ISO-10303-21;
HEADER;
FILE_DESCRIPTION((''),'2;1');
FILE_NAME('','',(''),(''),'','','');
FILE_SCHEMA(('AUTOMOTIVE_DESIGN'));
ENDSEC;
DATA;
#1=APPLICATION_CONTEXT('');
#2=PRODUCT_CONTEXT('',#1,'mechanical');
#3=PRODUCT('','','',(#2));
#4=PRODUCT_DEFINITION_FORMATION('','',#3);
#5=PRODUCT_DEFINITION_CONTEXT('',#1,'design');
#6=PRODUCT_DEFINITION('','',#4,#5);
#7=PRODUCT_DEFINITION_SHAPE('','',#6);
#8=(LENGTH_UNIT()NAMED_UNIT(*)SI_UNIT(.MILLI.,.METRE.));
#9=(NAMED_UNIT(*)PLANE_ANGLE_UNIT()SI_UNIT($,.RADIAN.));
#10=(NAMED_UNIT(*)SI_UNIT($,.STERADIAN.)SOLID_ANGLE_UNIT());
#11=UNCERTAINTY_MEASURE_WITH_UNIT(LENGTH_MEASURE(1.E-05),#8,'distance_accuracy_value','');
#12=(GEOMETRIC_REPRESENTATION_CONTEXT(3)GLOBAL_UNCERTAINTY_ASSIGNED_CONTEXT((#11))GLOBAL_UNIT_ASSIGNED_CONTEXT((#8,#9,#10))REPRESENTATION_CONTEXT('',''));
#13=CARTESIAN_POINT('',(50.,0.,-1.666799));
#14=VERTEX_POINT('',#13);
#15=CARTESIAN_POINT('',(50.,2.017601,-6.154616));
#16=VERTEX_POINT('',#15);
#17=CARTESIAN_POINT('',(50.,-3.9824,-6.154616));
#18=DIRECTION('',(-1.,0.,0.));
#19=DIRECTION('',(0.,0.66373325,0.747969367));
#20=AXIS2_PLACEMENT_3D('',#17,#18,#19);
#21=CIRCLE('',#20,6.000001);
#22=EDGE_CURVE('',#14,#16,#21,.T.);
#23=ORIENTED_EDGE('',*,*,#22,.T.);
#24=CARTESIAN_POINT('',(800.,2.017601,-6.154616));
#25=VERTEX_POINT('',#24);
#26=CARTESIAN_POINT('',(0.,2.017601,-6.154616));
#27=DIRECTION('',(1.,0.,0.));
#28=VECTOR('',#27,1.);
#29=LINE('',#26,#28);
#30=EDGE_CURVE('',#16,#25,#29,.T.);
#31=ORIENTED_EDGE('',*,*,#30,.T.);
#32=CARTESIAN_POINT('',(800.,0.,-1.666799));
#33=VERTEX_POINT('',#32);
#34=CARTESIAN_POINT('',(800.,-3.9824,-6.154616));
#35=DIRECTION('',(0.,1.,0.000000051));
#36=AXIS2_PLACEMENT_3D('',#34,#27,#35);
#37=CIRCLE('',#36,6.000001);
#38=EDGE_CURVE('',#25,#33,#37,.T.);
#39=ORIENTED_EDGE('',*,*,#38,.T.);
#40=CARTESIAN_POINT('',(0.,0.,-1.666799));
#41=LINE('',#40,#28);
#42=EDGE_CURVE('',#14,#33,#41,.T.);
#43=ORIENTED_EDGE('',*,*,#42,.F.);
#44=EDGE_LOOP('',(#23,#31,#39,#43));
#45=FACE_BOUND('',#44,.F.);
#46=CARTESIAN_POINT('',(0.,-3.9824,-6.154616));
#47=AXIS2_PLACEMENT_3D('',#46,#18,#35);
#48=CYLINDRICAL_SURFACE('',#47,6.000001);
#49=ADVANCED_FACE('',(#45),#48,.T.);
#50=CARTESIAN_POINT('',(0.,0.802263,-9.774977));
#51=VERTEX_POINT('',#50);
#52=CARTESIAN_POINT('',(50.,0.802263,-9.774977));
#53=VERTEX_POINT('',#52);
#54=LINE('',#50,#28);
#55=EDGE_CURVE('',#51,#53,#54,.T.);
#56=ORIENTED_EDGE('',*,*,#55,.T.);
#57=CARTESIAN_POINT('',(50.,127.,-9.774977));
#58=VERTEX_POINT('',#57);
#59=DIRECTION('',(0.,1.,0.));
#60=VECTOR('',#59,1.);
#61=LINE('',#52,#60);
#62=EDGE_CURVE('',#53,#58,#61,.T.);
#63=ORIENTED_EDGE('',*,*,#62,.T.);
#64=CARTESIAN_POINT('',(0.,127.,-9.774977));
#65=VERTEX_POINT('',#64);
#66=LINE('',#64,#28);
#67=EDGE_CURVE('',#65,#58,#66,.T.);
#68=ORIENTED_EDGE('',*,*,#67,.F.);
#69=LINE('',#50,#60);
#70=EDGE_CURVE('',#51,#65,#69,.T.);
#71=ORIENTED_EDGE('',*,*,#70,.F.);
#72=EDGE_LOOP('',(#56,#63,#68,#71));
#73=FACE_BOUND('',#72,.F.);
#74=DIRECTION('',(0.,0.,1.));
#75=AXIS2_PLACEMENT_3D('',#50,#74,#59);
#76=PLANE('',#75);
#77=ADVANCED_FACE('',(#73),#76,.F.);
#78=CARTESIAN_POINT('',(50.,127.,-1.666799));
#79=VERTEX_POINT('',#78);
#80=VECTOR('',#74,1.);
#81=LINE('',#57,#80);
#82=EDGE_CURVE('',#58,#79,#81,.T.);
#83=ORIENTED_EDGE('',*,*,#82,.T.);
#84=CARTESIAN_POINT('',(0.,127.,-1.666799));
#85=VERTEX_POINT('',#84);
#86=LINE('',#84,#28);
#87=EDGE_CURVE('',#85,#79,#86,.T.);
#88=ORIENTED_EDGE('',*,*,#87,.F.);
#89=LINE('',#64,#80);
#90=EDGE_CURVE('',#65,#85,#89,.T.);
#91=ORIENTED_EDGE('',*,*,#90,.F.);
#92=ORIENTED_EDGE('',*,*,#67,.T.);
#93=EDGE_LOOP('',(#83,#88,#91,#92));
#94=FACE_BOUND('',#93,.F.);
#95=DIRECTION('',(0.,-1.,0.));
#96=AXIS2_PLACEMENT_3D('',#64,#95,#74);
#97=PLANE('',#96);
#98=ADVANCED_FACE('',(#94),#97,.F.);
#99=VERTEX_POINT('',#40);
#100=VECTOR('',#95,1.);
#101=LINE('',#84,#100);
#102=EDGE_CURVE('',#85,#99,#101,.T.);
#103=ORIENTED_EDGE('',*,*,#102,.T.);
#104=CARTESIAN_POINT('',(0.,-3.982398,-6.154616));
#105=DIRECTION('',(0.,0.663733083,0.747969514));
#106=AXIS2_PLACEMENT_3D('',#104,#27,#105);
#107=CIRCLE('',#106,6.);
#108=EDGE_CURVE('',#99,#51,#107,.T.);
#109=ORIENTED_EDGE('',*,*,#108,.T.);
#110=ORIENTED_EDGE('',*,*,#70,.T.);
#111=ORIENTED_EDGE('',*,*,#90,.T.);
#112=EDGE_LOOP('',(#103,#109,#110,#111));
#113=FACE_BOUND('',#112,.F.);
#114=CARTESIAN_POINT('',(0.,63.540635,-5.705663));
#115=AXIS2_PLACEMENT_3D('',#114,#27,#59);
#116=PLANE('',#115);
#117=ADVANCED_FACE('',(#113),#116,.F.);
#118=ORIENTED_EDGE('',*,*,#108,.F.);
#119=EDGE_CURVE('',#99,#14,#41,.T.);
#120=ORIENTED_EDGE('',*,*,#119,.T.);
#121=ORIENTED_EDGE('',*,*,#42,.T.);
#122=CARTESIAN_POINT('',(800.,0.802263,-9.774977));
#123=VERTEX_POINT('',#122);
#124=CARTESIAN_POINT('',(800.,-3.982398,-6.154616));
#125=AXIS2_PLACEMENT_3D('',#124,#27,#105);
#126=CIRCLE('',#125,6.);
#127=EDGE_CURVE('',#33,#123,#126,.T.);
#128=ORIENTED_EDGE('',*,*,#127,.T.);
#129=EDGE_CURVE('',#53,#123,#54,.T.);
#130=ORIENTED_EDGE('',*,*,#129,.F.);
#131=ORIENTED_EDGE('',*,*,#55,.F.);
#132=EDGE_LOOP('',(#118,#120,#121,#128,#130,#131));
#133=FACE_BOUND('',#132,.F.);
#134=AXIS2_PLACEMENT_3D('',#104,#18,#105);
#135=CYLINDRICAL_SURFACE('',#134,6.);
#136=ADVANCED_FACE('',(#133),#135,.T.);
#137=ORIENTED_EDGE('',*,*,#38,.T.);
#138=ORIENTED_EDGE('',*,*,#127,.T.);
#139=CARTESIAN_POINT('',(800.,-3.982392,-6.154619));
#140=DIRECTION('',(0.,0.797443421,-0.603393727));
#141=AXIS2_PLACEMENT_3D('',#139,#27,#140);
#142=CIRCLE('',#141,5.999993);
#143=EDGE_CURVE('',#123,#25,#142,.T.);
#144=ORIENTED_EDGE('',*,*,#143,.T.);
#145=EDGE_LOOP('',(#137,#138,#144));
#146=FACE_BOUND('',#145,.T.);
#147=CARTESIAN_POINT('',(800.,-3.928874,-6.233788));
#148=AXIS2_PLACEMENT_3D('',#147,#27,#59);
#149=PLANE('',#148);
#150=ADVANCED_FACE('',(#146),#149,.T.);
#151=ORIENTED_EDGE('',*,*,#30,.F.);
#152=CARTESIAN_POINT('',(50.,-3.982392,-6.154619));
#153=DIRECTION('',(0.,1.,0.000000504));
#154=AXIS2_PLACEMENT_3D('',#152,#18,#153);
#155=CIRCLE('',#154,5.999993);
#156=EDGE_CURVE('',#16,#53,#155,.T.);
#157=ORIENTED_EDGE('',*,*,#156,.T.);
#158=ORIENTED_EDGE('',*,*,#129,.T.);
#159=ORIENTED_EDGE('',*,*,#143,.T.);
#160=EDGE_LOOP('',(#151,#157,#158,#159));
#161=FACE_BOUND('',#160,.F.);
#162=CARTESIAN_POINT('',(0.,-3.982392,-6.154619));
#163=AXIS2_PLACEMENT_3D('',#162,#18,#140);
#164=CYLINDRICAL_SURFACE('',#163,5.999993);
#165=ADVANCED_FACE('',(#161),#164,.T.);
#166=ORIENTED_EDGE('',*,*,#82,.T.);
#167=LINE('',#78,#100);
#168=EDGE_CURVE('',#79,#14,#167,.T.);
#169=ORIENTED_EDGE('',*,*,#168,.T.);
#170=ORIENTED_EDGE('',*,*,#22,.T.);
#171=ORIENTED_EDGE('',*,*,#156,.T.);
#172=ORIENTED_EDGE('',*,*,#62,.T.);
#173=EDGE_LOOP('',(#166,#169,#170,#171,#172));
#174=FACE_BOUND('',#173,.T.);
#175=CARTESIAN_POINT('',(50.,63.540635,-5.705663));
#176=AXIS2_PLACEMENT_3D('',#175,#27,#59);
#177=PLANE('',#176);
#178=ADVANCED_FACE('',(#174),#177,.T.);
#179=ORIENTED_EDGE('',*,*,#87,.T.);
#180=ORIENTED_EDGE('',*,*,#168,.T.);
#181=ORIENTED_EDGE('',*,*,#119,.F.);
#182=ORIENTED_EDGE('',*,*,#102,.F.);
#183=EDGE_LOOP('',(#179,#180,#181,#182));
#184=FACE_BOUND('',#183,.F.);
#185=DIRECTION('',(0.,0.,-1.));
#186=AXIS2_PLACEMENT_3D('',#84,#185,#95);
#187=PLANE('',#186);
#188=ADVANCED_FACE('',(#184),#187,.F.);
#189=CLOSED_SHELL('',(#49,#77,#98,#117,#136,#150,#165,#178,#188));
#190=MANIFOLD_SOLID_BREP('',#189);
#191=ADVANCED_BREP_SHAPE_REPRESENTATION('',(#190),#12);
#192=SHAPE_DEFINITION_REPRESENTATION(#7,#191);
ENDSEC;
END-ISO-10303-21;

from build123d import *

# Parameters (mm, degrees)
F1_DEPTH = 800
F2_DEPTH = 50


with BuildPart() as f1:
    # F0 (on Right) → F1 (new body)
    with BuildSketch(Plane.YZ):
        with BuildLine():
            Line((0, -9.774977), (0, -1.666799))
            ThreePointArc((0, -1.666799), (-9.953242, -6.7454), (0.802263, -9.774977))
            Line((0.802263, -9.774977), (0, -9.774977))
        make_face()
        with BuildLine():
            ThreePointArc((0.802263, -9.774977), (1.705658, -8.06407), (2.017601, -6.154616))
            ThreePointArc((2.017601, -6.154616), (1.490004, -3.694371), (0, -1.666799))
            Line((0, -1.666799), (0, -9.774977))
            Line((0, -9.774977), (0.802263, -9.774977))
        make_face()
    extrude(amount=F1_DEPTH)

    # F0 (on Right) → F2 (join)
    with BuildSketch(Plane.YZ):
        with BuildLine():
            ThreePointArc((0, -1.666799), (1.490004, -3.694371), (2.017601, -6.154616))
            ThreePointArc((2.017601, -6.154616), (1.705658, -8.06407), (0.802263, -9.774977))
            Line((0.802263, -9.774977), (127, -9.774977))
            Line((127, -9.774977), (127, -1.666799))
            Line((127, -1.666799), (0, -1.666799))
        make_face()
    extrude(amount=F2_DEPTH)


solid = f1.part
